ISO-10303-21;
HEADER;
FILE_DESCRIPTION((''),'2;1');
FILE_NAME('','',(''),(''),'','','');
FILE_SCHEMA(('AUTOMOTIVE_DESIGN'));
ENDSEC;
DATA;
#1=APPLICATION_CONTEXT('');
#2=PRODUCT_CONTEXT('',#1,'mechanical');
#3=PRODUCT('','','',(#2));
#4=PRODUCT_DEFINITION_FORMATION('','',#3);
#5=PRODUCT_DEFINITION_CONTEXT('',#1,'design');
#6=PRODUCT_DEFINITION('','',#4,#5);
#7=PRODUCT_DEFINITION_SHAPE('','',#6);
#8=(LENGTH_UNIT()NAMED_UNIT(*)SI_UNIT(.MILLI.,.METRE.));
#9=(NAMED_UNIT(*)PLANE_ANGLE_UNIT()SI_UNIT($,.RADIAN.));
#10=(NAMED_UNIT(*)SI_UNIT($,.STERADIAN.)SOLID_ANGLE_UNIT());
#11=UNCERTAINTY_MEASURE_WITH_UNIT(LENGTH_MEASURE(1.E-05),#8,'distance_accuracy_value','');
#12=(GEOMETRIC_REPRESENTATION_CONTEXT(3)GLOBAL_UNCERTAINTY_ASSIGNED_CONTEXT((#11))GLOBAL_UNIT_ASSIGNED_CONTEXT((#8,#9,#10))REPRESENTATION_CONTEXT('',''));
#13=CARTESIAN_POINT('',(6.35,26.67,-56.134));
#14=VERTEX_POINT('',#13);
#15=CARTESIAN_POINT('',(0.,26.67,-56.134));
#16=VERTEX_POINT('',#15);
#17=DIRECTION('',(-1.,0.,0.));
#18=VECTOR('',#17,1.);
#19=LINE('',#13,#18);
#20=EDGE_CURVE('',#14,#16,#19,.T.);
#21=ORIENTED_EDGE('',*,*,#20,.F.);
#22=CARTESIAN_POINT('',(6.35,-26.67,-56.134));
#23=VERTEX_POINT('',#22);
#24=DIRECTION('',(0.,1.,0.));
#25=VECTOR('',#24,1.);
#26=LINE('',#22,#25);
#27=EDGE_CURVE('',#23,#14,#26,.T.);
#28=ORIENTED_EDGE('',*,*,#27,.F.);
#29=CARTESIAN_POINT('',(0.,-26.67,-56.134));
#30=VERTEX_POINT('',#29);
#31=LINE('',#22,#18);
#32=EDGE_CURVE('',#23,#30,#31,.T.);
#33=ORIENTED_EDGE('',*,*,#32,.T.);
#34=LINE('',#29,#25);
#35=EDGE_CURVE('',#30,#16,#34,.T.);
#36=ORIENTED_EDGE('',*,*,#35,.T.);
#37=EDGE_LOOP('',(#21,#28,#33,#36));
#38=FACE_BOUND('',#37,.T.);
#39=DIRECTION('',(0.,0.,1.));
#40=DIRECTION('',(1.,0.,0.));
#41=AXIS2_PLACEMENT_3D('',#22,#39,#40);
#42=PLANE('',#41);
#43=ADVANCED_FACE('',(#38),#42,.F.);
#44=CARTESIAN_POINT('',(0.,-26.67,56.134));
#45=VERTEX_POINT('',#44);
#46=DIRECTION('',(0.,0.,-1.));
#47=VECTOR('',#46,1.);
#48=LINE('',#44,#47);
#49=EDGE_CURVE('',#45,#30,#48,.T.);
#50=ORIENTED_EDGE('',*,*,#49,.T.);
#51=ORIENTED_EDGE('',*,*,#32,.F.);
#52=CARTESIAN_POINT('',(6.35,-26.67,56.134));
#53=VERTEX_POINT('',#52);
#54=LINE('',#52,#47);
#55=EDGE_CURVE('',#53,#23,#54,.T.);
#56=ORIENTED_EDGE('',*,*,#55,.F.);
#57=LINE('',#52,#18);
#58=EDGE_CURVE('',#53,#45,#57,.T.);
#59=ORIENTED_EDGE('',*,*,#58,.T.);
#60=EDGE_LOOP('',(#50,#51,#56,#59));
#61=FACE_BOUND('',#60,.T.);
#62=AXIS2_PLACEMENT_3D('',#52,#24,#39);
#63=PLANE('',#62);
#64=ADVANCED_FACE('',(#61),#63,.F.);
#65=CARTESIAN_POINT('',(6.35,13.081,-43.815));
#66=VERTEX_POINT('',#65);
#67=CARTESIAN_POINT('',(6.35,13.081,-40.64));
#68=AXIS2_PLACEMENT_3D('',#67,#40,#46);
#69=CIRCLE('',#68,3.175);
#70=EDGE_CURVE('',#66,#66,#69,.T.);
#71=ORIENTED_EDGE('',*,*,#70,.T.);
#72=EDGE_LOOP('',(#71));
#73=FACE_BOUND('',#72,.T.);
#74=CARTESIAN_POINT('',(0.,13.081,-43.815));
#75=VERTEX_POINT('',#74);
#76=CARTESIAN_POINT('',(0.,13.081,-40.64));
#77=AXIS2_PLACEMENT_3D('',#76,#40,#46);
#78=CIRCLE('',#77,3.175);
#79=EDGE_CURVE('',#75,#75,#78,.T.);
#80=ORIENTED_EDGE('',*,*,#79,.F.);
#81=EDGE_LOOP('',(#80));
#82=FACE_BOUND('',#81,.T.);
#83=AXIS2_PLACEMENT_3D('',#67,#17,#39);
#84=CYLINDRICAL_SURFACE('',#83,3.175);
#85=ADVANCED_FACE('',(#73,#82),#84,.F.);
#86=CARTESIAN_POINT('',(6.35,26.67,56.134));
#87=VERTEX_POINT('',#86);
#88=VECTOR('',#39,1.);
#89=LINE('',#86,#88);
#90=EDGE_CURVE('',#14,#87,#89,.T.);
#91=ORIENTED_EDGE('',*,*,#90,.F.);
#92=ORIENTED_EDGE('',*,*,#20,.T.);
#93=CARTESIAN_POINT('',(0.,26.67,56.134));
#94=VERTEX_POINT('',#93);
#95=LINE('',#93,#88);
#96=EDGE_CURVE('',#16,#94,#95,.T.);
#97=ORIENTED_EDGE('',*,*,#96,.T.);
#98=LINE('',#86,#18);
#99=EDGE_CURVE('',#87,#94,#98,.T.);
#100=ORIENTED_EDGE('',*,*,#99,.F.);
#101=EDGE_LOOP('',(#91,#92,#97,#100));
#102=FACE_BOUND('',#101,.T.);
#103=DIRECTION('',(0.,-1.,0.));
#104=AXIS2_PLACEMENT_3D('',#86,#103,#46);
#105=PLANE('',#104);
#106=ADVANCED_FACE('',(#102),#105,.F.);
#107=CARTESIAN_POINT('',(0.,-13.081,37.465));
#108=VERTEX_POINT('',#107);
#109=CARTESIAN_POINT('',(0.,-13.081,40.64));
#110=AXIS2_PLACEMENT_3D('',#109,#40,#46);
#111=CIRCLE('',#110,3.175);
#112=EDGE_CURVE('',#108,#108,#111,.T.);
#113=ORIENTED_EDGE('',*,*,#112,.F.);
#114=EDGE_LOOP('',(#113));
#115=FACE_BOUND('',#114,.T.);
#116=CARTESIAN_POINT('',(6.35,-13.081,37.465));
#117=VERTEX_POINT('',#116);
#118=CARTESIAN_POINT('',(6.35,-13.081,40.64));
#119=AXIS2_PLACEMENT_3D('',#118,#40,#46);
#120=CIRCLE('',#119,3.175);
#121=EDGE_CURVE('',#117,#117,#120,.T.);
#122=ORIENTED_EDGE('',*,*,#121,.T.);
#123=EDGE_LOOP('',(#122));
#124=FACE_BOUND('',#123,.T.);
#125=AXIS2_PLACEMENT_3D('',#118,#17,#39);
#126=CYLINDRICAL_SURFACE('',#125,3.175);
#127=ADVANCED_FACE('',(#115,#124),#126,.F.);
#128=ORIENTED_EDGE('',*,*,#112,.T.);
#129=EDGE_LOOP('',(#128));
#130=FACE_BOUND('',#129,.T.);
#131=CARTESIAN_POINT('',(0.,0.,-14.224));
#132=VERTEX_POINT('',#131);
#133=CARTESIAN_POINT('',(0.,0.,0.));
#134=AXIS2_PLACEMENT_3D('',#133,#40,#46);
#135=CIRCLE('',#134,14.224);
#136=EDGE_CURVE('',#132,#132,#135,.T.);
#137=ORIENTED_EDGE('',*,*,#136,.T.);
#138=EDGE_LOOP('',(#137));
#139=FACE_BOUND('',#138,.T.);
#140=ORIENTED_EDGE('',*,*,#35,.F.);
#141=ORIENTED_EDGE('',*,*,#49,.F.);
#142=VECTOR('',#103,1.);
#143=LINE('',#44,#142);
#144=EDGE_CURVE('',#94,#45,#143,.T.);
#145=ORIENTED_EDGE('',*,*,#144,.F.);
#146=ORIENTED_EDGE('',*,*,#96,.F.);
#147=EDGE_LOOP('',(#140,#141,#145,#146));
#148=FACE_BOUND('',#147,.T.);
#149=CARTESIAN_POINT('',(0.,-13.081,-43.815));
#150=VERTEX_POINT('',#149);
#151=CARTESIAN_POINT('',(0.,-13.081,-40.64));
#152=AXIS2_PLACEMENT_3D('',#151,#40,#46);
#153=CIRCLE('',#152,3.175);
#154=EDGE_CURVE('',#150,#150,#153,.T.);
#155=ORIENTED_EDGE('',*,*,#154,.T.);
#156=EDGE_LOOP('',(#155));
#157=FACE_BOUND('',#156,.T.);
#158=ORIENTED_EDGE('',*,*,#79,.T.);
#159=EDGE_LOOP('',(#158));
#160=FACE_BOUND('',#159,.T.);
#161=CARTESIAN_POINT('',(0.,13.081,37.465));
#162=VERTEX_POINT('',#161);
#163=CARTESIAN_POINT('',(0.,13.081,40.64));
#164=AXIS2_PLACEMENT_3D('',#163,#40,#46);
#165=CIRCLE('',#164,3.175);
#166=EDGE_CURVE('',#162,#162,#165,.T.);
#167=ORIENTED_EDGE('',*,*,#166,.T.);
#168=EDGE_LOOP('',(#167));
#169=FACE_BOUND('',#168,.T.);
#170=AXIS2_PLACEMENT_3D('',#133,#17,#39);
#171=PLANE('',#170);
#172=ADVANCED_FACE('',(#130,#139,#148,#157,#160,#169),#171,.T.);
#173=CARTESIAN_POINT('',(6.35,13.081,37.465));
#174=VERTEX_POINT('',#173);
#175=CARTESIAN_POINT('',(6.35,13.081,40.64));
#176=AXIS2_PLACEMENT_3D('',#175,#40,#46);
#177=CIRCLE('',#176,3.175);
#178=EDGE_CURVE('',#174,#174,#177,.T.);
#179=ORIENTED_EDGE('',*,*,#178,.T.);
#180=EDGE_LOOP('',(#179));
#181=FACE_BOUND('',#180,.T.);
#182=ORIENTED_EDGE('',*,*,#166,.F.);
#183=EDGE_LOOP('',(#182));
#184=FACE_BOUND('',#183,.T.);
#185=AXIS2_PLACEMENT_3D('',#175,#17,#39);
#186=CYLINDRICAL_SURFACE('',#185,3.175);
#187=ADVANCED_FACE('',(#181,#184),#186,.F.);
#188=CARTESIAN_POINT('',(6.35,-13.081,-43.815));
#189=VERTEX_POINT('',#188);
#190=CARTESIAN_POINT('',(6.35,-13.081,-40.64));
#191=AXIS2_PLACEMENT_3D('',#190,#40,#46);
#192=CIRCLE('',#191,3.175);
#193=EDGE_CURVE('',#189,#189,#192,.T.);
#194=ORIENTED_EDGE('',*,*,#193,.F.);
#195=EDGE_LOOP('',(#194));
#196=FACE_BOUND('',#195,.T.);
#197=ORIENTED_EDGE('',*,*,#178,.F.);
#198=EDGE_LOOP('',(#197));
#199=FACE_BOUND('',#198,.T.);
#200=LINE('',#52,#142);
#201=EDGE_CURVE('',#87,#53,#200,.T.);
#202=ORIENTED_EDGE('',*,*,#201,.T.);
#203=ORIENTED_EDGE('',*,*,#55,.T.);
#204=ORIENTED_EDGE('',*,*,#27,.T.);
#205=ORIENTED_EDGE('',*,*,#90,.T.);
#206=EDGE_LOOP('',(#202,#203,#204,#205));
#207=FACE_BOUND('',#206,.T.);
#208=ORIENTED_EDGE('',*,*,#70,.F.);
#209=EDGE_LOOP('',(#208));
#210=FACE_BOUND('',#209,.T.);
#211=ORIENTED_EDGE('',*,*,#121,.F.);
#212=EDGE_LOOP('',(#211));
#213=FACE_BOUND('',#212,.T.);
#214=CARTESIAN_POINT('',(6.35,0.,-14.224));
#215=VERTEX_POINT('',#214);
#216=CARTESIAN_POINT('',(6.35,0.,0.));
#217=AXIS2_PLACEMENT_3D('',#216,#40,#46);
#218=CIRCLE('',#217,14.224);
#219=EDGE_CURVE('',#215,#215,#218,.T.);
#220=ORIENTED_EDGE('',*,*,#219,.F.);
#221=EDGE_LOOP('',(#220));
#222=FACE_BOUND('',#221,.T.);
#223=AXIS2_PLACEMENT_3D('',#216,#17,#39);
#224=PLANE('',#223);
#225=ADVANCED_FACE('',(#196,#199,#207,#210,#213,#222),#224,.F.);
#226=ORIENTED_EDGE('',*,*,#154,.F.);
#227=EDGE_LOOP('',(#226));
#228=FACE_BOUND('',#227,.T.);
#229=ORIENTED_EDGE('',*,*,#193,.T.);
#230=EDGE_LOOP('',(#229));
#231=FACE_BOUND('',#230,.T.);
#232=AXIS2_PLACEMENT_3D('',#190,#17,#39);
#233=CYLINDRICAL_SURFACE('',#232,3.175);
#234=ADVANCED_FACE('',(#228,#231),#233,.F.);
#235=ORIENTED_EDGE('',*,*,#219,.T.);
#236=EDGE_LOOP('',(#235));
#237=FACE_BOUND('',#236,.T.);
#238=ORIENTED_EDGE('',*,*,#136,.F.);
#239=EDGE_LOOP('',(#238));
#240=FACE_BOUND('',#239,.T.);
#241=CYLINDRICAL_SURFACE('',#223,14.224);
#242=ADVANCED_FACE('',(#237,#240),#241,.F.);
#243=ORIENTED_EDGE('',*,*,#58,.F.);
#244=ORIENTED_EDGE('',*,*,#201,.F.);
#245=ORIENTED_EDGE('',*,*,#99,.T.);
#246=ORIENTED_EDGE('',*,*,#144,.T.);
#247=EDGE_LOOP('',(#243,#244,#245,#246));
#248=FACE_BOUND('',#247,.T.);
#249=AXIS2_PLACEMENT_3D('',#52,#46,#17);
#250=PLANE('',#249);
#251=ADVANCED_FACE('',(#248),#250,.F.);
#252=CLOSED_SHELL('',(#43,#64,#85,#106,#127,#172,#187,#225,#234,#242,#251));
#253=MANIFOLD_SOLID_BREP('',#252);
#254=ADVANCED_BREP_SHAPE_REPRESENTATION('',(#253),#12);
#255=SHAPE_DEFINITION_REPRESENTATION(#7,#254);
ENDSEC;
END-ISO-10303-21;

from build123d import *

# Parameters (mm, degrees)
SKETCH1_W           = 112.268
SKETCH1_H           = 53.34
SKETCH1_R           = 14.224
SKETCH1_R_2         = 3.175
BOSS_EXTRUDE1_DEPTH = 6.35


with BuildPart() as part:
    # Sketch1 → Boss-Extrude1 (new body)
    with BuildSketch(Plane(origin=(0, 0, 0), x_dir=(0, 0, -1), z_dir=(1, 0, 0))):
        Rectangle(SKETCH1_W, SKETCH1_H)
        Circle(SKETCH1_R, mode=Mode.SUBTRACT)
        with Locations((-40.64, -13.081)):
            Circle(SKETCH1_R_2, mode=Mode.SUBTRACT)
        with Locations((40.64, -13.081)):
            Circle(SKETCH1_R_2, mode=Mode.SUBTRACT)
        with Locations((-40.64, 13.081)):
            Circle(SKETCH1_R_2, mode=Mode.SUBTRACT)
        with Locations((40.64, 13.081)):
            Circle(SKETCH1_R_2, mode=Mode.SUBTRACT)
    extrude(amount=BOSS_EXTRUDE1_DEPTH)


solid = part.part
